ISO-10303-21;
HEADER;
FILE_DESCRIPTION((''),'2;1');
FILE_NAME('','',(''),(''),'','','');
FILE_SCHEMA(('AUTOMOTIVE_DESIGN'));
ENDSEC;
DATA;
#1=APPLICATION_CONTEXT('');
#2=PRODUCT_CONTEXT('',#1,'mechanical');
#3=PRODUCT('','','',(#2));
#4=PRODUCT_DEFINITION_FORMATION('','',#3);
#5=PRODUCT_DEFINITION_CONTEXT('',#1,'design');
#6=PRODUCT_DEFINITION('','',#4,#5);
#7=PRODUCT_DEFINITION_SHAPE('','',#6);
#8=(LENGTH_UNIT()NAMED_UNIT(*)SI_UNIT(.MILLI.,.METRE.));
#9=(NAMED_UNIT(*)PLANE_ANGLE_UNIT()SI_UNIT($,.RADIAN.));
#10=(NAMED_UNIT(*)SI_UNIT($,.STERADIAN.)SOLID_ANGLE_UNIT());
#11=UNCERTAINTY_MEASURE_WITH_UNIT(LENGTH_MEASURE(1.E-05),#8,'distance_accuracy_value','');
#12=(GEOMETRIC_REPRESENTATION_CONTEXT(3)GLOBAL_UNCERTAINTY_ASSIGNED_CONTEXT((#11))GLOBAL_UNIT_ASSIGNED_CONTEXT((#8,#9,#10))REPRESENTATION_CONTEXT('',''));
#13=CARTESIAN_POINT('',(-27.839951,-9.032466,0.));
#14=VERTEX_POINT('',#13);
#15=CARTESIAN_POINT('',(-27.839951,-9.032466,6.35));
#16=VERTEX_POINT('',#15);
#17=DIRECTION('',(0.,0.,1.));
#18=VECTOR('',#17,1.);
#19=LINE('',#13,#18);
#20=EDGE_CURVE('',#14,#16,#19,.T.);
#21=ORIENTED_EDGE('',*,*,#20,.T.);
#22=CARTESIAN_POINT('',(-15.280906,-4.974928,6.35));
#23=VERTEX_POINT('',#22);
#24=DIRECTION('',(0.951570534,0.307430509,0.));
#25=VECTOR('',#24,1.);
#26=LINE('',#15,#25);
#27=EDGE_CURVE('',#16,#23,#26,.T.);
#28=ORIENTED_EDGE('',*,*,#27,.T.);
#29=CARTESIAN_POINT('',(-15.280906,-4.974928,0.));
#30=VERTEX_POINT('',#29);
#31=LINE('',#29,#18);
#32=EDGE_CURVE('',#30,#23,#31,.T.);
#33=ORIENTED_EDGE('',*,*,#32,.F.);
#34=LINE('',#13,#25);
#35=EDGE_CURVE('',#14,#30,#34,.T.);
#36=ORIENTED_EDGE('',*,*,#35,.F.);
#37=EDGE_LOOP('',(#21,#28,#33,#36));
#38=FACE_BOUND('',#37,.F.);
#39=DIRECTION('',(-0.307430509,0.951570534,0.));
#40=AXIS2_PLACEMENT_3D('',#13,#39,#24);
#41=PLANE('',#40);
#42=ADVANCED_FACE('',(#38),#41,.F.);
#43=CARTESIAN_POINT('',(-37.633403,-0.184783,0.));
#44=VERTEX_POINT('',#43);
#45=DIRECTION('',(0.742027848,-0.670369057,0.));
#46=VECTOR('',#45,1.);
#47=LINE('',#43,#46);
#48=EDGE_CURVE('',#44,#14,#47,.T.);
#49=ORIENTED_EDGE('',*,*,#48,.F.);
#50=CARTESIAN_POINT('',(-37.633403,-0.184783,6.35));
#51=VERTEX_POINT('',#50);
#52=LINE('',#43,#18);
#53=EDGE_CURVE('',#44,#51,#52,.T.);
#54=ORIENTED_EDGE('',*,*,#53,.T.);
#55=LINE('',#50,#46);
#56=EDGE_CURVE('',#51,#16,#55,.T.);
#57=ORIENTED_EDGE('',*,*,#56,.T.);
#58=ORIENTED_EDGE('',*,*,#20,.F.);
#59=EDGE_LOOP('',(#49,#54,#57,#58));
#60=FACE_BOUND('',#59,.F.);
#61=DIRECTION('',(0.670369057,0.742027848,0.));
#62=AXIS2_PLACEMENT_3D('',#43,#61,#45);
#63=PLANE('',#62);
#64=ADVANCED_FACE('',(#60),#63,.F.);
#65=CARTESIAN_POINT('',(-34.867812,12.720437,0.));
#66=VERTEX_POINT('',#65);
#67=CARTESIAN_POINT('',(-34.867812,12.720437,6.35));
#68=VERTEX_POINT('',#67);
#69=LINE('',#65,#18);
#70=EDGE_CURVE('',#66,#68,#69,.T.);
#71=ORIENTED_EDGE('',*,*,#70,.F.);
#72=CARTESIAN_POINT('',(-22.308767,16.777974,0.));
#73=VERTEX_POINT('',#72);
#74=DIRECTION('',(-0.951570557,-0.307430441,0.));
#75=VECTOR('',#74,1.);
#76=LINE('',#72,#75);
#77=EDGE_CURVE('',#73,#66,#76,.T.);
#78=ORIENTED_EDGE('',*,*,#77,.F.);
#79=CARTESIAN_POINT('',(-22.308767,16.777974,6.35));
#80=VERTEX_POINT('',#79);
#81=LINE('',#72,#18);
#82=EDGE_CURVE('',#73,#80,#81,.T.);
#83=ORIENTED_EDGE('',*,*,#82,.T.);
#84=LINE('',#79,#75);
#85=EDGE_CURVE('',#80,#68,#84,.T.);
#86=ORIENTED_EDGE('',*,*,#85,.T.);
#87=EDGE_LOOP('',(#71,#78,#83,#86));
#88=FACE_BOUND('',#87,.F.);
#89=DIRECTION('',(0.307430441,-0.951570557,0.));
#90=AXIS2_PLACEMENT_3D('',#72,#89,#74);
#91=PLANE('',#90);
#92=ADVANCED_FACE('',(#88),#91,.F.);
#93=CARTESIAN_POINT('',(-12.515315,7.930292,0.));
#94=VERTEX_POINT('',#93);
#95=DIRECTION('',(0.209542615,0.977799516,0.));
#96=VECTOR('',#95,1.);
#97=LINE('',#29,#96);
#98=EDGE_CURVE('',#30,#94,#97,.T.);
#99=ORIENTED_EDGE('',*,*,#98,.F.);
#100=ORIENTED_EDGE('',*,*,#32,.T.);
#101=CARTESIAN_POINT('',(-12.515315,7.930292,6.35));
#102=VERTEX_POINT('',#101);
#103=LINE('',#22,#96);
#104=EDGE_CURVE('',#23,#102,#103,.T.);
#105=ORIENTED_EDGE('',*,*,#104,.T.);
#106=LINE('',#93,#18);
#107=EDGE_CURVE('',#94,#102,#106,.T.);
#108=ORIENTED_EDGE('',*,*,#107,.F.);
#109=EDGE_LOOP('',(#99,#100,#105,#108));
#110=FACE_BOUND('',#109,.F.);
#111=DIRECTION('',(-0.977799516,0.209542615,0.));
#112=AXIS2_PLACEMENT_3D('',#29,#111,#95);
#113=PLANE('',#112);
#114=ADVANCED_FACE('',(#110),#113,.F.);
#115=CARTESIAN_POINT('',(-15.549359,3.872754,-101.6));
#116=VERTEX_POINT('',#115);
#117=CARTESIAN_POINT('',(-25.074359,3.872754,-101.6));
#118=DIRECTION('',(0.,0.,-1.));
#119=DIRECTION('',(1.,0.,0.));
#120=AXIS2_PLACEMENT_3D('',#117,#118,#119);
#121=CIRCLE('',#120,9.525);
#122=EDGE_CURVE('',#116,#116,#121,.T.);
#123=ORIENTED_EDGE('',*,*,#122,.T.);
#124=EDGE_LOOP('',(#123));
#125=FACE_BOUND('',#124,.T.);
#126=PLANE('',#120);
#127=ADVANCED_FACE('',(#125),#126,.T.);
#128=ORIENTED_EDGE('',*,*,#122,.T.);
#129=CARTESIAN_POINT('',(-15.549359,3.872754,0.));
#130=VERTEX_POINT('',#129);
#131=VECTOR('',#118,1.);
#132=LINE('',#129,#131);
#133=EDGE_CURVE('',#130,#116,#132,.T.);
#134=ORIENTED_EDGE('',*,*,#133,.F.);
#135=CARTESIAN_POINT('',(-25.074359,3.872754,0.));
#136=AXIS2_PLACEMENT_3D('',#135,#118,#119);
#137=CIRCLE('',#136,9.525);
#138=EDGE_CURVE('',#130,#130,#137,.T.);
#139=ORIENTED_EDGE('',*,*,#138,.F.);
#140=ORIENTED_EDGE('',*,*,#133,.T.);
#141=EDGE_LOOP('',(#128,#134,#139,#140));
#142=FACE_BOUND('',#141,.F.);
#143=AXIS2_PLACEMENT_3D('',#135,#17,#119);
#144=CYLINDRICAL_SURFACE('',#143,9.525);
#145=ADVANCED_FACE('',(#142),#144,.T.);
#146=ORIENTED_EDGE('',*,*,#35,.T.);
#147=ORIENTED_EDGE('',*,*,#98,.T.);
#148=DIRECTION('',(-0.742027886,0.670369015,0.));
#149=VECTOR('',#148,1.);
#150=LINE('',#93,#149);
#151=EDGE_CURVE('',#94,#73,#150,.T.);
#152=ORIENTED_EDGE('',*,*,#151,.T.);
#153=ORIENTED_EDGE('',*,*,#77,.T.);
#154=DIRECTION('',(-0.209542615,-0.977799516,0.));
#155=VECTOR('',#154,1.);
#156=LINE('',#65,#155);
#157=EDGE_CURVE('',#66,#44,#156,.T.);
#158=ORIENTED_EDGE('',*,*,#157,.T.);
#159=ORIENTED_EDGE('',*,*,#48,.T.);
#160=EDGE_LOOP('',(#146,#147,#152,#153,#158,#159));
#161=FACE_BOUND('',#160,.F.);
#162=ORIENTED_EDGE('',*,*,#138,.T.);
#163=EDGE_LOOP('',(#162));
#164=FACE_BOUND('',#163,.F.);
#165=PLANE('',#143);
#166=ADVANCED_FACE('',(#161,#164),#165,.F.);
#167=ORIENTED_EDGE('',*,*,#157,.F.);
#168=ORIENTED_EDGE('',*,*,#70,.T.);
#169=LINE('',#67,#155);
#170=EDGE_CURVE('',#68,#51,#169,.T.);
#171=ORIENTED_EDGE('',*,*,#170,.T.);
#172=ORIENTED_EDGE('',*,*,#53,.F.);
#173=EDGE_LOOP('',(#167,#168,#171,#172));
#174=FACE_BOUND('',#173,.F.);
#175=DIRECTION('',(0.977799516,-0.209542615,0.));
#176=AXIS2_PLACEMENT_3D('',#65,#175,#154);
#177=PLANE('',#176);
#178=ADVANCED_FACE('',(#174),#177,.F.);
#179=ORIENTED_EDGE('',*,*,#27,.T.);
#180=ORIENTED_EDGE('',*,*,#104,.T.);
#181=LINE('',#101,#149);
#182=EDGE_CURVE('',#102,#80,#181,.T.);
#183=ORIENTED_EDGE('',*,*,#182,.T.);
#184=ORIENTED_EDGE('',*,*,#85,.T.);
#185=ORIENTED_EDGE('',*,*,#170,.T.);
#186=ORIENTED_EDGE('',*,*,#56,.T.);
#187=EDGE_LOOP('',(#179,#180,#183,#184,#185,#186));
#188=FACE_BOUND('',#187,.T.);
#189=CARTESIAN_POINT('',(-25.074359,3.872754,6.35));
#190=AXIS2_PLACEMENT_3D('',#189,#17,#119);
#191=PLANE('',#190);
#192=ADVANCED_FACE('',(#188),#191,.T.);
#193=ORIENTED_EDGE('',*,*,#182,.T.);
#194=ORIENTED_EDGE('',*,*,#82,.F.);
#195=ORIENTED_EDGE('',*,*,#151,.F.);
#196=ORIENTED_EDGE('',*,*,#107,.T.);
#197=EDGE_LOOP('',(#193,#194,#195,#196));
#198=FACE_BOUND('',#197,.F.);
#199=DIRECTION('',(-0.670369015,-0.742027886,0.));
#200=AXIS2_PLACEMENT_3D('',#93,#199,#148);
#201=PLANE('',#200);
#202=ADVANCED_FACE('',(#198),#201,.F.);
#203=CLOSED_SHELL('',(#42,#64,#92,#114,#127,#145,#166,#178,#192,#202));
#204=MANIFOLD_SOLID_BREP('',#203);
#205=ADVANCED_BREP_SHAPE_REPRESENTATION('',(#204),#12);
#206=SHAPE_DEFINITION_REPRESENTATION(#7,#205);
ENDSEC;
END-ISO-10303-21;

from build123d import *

# Parameters (mm, degrees)
F1_DEPTH = 6.35
F2_R     = 9.525
F3_DEPTH = 101.6


with BuildPart() as f1:
    # F0 (on Top) → F1 (new body)
    with BuildSketch(Plane.XY):
        Polygon((-22.308767, 16.777974), (-34.867812, 12.720437), (-37.633403, -0.184783), (-27.839951, -9.032466), (-15.280906, -4.974928), (-12.515315, 7.930292), align=None)
    extrude(amount=F1_DEPTH)

    # F2 (on face) → F3 (join)
    with BuildSketch(Plane(origin=(0, 0, 0), x_dir=(1, 0, 0), z_dir=(0, 0, -1))):
        with Locations((-25.074359, -3.872754)):
            Circle(F2_R)
    extrude(amount=F3_DEPTH)


solid = f1.part
